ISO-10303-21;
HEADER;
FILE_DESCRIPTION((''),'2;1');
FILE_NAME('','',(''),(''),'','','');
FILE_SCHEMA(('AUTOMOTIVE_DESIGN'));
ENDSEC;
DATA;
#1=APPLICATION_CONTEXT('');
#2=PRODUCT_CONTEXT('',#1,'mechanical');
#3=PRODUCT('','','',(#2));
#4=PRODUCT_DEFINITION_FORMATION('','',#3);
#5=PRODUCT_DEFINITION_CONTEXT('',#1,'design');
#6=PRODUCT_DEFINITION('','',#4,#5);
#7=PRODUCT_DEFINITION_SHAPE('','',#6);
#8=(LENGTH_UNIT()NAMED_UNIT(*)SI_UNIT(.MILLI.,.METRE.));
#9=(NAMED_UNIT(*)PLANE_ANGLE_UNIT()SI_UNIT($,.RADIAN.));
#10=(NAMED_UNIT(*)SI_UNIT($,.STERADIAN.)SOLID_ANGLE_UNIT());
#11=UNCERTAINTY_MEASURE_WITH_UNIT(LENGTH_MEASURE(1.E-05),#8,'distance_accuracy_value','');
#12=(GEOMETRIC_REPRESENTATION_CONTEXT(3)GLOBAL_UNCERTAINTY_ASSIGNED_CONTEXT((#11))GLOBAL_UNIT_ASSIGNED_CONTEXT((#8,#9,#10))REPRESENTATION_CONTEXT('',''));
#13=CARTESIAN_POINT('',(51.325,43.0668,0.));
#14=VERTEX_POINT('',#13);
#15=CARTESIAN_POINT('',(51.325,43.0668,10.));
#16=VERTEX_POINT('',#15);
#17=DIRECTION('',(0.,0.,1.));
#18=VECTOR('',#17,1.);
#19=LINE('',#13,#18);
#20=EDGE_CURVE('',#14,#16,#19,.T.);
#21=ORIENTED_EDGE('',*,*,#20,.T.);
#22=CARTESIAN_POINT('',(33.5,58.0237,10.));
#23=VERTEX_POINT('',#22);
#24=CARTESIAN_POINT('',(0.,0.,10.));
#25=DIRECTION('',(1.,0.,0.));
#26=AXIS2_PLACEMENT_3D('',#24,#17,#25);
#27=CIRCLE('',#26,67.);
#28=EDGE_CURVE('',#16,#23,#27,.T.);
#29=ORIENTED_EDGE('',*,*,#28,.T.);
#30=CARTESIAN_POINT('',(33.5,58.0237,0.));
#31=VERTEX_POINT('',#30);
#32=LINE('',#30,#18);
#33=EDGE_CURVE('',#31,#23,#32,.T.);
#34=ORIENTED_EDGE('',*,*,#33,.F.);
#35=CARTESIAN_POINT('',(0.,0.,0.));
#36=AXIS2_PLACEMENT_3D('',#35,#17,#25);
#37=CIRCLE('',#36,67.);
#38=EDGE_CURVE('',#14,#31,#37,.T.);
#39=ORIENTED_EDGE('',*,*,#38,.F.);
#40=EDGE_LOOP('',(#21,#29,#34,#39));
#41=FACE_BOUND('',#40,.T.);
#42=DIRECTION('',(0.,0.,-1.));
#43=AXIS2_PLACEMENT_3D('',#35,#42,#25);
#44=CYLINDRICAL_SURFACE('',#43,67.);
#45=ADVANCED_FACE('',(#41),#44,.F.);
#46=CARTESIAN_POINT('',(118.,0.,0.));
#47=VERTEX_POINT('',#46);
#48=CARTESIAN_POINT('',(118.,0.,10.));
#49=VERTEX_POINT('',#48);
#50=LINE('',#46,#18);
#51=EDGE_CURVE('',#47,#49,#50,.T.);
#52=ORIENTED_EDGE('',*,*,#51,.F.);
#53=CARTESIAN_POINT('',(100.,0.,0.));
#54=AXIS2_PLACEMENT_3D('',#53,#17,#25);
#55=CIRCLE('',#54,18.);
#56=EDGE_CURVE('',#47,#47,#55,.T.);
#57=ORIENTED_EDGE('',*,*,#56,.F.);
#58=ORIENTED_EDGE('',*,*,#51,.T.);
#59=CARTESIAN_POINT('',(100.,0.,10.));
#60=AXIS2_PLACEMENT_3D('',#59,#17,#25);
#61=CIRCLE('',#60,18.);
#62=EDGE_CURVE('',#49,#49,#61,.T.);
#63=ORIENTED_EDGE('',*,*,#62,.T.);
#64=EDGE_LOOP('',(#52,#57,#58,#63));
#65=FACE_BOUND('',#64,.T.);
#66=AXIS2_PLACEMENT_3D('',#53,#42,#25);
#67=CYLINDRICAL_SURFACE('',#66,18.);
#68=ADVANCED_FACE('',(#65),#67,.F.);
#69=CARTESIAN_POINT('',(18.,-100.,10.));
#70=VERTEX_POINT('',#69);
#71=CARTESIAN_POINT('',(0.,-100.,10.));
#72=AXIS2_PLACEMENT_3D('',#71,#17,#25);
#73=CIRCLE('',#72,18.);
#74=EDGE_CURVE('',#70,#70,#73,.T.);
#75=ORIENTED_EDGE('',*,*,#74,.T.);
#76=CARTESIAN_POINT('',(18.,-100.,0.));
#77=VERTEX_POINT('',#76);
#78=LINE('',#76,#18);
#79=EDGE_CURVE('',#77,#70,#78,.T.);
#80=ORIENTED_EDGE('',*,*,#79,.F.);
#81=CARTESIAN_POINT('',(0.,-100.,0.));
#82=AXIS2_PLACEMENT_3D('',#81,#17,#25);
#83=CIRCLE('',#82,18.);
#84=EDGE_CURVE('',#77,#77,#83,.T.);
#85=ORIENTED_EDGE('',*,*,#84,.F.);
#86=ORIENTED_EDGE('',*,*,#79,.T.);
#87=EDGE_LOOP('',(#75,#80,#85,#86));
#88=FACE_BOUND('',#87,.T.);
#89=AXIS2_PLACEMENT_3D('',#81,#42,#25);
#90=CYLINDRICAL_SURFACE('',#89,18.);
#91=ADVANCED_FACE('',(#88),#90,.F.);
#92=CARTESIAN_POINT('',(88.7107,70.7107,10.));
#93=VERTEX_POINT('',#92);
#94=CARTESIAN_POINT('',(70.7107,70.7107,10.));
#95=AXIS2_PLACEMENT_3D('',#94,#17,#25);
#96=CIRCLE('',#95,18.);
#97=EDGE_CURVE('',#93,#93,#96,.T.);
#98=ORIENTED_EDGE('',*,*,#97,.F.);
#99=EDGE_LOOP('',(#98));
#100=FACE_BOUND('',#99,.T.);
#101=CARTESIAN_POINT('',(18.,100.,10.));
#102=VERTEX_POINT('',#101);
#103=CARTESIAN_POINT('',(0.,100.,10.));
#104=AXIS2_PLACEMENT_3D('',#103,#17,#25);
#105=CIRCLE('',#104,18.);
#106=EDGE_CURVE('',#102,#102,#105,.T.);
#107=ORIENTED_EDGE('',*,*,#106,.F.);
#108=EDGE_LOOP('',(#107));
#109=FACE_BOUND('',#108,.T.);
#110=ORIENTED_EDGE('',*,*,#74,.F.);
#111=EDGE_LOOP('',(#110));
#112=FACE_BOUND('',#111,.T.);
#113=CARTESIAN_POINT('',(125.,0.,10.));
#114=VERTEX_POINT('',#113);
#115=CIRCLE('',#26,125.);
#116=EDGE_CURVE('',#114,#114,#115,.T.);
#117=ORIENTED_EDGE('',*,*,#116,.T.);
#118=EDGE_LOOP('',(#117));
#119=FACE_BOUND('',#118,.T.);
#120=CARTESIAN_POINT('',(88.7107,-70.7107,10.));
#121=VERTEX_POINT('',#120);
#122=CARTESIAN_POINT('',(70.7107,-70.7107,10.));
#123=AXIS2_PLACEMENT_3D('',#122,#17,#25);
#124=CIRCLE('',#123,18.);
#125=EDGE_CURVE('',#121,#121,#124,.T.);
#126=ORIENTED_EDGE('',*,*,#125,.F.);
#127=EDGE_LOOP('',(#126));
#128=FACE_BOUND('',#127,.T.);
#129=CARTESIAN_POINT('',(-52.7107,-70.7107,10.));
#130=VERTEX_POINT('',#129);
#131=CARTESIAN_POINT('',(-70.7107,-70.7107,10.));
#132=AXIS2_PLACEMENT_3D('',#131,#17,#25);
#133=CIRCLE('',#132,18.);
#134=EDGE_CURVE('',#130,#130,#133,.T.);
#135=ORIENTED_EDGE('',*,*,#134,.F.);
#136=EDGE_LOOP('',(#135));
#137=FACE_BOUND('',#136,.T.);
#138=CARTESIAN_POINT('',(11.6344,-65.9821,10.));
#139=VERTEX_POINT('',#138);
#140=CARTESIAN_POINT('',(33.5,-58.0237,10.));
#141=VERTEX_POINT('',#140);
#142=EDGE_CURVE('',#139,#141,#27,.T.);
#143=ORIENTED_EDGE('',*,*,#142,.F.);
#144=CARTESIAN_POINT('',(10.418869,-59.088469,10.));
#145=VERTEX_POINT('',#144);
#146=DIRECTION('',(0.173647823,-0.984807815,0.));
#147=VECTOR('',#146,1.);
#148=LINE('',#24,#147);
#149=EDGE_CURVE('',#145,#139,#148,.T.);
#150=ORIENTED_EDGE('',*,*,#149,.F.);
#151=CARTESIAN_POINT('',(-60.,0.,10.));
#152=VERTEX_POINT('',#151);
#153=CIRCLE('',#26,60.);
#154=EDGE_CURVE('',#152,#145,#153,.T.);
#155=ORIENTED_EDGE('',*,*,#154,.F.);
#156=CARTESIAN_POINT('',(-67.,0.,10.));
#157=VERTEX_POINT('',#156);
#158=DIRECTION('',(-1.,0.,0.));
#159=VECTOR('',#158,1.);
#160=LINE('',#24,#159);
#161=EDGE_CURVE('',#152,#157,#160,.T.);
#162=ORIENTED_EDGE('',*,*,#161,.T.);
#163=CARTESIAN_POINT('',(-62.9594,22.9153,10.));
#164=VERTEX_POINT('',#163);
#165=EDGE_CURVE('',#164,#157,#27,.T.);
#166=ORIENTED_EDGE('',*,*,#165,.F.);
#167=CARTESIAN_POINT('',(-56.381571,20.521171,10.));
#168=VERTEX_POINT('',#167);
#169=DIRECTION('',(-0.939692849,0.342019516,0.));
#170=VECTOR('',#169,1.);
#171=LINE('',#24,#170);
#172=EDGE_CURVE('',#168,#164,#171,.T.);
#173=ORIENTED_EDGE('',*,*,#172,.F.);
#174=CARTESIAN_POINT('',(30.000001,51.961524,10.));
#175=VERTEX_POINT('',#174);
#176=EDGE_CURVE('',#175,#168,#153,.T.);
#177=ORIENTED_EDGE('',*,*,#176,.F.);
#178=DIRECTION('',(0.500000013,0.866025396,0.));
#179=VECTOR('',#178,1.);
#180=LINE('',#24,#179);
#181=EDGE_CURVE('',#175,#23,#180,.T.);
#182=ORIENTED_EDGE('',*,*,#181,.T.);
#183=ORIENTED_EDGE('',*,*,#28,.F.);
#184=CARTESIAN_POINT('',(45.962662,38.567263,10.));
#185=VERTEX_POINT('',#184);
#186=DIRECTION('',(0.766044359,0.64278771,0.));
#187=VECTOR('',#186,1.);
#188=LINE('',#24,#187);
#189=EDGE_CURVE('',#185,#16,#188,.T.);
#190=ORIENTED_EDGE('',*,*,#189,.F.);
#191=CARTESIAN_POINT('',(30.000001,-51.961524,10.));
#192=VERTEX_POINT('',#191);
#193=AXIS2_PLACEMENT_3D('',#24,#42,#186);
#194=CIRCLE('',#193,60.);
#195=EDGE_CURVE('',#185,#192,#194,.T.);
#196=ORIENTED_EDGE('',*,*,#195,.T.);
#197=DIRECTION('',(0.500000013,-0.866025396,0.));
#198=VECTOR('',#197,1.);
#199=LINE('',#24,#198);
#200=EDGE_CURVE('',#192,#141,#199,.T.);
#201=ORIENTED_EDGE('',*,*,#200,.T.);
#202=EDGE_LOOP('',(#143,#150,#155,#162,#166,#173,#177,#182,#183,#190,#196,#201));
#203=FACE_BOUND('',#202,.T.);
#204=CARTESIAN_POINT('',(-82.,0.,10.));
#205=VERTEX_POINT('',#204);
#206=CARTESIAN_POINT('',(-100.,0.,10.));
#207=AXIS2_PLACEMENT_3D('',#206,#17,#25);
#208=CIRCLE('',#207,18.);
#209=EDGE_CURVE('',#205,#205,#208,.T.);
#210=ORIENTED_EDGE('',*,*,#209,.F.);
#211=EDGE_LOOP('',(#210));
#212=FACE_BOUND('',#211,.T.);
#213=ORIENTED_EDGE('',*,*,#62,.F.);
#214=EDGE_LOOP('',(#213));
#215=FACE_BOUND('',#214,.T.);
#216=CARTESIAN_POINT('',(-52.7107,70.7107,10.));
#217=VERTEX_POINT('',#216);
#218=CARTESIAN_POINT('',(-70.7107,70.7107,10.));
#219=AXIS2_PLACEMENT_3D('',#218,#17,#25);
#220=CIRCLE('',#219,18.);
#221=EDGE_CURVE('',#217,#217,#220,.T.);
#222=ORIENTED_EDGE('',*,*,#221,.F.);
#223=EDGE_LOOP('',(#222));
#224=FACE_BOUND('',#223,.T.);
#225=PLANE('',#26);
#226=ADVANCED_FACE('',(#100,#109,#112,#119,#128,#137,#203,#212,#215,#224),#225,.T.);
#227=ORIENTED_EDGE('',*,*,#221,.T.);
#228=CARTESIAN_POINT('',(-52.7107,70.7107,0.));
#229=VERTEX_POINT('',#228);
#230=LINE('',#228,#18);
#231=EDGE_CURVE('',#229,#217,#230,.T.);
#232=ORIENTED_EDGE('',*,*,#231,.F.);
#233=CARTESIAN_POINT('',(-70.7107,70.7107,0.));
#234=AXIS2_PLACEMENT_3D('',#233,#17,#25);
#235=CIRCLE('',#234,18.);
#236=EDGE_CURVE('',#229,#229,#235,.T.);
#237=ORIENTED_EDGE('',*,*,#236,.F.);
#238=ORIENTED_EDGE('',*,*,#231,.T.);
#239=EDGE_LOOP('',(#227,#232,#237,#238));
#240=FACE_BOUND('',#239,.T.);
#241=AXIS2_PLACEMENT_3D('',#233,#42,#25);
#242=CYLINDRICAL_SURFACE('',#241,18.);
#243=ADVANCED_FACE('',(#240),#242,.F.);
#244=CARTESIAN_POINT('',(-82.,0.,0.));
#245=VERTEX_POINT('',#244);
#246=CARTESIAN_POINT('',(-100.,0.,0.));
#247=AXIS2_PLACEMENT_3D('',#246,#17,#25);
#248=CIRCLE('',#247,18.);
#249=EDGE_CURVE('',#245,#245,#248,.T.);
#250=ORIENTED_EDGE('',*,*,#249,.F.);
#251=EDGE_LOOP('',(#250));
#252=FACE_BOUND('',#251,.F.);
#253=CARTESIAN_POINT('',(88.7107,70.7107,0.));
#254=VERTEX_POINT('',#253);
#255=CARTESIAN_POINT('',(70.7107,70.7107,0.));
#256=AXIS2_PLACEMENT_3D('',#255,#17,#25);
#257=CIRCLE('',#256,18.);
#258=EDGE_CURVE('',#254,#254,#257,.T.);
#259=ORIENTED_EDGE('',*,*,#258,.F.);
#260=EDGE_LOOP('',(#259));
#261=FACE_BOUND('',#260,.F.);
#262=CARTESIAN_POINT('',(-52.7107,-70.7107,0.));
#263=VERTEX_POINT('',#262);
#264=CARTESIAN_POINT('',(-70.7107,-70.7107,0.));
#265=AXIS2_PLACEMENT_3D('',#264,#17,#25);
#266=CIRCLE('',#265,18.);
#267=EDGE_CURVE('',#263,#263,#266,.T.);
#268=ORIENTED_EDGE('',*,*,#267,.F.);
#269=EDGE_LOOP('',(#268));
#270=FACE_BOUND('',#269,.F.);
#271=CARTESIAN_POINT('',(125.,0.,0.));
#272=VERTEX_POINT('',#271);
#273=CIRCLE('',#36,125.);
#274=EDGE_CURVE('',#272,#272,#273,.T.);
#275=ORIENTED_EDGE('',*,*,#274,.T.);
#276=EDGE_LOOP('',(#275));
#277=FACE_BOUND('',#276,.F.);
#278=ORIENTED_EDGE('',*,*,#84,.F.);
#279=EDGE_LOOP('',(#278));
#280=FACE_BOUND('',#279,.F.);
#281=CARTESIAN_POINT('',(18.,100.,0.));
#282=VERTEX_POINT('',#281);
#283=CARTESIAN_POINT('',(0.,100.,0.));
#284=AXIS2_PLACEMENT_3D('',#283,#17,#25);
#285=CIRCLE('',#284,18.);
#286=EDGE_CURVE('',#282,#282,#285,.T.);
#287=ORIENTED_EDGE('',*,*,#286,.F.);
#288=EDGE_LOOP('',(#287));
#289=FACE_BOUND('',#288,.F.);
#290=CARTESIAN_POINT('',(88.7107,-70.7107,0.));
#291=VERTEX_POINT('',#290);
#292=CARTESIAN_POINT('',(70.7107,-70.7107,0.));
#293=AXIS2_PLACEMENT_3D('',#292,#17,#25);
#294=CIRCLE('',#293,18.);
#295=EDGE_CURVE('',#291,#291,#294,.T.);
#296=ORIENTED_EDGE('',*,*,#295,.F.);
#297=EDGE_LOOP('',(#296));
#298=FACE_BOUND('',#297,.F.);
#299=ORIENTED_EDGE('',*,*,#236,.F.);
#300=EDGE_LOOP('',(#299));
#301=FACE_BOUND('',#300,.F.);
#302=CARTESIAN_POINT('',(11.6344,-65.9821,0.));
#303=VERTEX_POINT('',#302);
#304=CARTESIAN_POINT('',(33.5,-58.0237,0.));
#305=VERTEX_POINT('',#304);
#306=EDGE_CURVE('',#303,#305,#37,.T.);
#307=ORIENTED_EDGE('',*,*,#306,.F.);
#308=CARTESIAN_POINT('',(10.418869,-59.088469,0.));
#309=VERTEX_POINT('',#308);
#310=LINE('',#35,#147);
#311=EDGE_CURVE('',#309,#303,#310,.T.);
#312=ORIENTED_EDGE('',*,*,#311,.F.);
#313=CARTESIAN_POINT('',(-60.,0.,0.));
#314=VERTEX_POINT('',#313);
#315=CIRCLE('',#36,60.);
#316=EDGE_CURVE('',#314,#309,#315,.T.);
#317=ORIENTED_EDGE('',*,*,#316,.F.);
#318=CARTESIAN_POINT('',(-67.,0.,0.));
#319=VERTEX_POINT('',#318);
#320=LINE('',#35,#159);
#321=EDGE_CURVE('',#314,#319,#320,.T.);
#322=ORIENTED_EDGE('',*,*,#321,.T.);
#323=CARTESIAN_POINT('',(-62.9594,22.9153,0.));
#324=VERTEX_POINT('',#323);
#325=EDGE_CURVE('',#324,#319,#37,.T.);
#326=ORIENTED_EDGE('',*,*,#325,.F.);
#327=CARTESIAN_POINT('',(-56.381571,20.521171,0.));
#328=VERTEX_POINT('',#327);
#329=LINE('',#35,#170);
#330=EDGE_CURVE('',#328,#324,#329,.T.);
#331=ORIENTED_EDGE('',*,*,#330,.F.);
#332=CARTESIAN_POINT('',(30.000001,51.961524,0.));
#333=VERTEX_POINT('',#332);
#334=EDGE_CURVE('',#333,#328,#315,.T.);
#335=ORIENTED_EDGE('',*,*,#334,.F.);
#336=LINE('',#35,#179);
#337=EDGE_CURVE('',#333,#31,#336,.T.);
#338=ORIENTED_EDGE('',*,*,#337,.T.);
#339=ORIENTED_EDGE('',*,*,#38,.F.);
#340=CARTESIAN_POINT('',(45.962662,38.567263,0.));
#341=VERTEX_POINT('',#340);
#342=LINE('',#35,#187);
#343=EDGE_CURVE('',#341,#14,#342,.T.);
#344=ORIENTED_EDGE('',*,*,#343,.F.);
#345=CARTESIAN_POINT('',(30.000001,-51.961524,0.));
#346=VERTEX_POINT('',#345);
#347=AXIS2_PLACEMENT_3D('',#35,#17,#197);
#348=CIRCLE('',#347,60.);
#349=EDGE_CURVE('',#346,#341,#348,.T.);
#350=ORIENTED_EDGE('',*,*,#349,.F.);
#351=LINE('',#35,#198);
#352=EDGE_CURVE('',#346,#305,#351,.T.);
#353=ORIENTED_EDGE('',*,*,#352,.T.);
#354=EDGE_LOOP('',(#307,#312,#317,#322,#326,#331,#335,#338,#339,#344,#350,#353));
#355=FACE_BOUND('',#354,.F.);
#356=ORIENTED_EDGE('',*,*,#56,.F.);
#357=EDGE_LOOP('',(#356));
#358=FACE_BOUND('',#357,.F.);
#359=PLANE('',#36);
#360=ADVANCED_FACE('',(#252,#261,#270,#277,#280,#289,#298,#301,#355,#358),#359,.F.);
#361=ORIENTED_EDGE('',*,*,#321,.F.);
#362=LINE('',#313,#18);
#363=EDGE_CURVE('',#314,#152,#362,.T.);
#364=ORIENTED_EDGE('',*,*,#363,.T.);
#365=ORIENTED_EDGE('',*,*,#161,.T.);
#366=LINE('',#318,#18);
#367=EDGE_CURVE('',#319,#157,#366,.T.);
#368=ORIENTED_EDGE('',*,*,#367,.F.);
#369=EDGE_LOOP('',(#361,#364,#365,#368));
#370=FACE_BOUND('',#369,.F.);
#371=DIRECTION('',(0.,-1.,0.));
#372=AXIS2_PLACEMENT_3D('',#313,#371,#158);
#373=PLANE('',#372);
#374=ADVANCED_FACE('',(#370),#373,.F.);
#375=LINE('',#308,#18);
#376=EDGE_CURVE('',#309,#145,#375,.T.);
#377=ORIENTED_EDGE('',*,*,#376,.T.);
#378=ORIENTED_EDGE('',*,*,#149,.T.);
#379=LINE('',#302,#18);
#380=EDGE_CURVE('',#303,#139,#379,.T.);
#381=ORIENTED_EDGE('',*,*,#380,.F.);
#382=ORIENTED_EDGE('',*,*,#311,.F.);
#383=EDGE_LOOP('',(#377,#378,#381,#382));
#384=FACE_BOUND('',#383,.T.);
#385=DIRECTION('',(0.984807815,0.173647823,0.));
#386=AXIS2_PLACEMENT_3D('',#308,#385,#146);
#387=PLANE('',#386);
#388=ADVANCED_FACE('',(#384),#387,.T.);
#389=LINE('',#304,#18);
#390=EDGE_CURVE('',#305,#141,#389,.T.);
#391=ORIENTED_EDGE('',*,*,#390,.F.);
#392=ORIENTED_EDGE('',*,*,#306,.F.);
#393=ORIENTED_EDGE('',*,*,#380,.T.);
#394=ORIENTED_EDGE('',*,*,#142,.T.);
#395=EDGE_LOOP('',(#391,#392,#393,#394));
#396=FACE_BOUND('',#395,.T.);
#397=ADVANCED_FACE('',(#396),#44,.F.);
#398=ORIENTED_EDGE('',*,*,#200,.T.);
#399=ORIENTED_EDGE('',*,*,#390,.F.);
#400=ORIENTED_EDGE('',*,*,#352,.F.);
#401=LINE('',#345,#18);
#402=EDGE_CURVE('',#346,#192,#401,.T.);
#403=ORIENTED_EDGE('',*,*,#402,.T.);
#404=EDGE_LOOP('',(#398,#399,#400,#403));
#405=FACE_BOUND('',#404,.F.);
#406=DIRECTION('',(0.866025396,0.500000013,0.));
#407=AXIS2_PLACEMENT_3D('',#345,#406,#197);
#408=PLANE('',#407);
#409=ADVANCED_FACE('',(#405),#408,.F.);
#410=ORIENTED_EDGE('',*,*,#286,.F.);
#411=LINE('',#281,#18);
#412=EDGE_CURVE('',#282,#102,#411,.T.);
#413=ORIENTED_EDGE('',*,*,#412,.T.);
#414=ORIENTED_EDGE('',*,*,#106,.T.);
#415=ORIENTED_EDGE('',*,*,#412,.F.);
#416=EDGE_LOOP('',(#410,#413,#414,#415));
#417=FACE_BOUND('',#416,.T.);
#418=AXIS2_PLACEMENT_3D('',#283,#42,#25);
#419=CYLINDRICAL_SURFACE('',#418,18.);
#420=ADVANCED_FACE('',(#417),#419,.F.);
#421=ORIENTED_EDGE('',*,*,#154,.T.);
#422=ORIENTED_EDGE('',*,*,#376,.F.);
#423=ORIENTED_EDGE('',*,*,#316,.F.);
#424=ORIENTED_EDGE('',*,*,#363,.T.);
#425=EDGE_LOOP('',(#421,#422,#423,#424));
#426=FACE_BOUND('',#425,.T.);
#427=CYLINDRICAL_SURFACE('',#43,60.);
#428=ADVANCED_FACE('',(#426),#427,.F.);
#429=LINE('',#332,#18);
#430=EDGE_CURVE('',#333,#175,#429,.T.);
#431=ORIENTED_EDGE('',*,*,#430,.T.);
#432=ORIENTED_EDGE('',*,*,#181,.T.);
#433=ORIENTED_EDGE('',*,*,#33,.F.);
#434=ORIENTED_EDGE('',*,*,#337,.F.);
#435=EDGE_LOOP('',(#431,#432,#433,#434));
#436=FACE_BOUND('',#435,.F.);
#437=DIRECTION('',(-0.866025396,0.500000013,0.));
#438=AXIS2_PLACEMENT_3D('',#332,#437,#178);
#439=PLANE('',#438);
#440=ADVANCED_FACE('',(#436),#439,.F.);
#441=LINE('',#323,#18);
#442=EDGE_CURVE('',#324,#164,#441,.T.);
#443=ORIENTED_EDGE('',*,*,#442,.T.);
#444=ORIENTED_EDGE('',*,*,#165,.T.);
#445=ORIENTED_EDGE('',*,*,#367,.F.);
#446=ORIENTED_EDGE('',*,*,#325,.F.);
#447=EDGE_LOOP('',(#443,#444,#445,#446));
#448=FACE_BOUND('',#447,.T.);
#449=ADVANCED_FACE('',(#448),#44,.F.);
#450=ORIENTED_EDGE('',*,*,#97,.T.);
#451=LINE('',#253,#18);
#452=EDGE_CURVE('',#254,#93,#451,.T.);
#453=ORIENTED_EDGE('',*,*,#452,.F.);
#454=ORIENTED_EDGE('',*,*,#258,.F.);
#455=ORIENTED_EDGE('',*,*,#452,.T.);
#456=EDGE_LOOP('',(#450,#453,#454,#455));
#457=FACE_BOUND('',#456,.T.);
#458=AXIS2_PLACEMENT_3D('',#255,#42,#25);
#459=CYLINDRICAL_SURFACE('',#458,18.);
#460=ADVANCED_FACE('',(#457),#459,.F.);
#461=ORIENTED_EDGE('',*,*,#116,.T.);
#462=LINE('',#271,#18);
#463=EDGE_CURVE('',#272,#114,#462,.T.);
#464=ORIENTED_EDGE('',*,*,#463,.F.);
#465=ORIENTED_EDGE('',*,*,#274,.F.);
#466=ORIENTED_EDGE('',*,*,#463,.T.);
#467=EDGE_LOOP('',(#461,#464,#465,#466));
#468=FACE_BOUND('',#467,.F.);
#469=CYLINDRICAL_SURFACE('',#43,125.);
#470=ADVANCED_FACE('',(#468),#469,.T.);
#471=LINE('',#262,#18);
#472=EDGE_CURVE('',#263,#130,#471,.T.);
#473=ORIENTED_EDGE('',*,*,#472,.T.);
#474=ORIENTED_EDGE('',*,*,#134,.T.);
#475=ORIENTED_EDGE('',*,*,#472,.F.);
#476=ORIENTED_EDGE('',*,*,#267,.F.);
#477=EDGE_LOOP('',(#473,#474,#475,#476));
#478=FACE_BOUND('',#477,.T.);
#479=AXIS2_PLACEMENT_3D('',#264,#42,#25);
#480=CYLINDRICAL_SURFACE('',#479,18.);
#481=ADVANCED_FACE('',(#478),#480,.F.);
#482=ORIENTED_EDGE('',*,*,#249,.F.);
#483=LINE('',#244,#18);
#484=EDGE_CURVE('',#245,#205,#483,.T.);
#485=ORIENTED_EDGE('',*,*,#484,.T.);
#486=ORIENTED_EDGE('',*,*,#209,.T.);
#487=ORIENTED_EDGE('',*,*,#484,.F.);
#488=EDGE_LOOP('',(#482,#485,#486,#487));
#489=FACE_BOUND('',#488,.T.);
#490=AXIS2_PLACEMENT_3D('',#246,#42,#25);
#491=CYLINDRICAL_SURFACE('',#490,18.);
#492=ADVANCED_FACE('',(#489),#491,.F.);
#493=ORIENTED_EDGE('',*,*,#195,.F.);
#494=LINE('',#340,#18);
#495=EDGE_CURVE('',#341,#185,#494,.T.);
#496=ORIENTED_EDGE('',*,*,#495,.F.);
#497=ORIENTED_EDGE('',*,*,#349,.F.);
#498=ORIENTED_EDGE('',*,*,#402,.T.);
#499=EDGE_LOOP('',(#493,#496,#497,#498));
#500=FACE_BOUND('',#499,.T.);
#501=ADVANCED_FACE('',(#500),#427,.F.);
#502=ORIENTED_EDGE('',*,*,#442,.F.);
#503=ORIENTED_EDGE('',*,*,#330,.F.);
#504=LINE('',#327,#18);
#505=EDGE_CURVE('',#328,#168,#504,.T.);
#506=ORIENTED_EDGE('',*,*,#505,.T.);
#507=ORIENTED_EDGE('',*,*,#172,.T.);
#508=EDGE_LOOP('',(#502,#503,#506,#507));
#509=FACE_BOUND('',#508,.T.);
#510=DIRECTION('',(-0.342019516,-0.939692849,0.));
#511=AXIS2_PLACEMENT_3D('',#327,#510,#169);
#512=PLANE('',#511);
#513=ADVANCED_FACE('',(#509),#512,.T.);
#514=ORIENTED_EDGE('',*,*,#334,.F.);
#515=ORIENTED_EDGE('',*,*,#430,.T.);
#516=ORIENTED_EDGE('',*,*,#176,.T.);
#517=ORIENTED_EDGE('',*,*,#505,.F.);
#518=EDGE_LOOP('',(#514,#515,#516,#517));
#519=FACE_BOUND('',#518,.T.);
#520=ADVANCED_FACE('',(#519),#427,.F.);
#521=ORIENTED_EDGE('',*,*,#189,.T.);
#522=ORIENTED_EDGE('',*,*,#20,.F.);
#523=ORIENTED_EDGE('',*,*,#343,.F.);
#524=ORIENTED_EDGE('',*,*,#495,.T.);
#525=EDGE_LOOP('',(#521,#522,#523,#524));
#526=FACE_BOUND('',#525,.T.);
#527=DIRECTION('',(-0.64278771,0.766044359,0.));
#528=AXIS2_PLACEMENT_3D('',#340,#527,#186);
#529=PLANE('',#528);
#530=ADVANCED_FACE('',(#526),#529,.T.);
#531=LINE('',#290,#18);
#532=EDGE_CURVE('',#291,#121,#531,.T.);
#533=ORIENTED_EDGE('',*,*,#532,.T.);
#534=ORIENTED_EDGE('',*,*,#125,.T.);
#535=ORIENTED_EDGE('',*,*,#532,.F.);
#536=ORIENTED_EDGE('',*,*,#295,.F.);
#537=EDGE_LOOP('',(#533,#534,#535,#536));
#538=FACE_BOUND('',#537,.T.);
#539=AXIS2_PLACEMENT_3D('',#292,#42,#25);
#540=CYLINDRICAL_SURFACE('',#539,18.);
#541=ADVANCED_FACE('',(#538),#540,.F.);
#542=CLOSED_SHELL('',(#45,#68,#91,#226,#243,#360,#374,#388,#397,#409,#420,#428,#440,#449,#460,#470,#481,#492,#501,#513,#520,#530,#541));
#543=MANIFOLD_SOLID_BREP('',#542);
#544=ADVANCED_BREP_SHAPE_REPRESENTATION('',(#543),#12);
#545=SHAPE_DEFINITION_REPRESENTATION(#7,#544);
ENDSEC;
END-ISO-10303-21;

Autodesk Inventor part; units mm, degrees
ref_plane "YZ Plane" through (0, 0, 0) normal (1, 0, 0) x (0, 1, 0)
ref_plane "XZ Plane" through (0, 0, 0) normal (0, 1, 0) x (-1, 0, 0)
ref_plane "XY Plane" through (0, 0, 0) normal (0, 0, 1) x (1, 0, 0)
sketch "Sketch1" plane through (0, 0, 0) normal (0, 0, 1) x (1, 0, 0)
  circle A0 centre (0, 0) radius 100 construction
  circle A1 centre (-100, 0) radius 18
  circle A2 centre (-70.7107, -70.7107) radius 18
  circle A3 centre (0, -100) radius 18
  circle A4 centre (70.7107, -70.7107) radius 18
  circle A5 centre (100, 0) radius 18
  circle A6 centre (70.7107, 70.7107) radius 18
  circle A7 centre (0, 100) radius 18
  circle A8 centre (-70.7107, 70.7107) radius 18
  circle A9 centre (0, 0) radius 125
  circle A10 centre (0, 0) radius 75
  circle A11 centre (0, 0) radius 67.5 construction
  circle A12 centre (0, 0) radius 67
  circle A13 centre (0, 0) radius 60
  line L0 (0, 0) -> (-67, 0)
  line L1 (0, 0) -> (-2.0269, 0)
  line L2 (0, 0) -> (-62.9594, 22.9153)
  line L3 (0, 0) -> (67, 0) construction
  line L4 (0, 0) -> (33.5, -58.0237)
  line L5 (0, 0) -> (11.6344, -65.9821)
  line L6 (0, 0) -> (33.5, 58.0237)
  line L7 (0, 0) -> (51.325, 43.0668)
  point P0 (1.0135, -1.7554)
  point P1 (1.0135, 1.7554)
  point P2 (10.4189, -59.0885)
  point P3 (-60, 0)
  point P4 (-56.3816, 20.5212)
  point P5 (30, 51.9615)
  point P6 (45.9627, 38.5673)
  point P7 (30, -51.9615)
  dimension "d0" = 200
  dimension "d1" = 36
  dimension "d4" = 360
  dimension "d6" = 250
  dimension "d7" = 150
  dimension "d10" = 135
  dimension "d11" = 134
  dimension "d12" = 120
  dimension "d13" = 160
  dimension "d16" = 360
extrude "Extrusion1" add sketch "Sketch1" along normal blind 10 contours A9 | A10 | A12 L4 A13 L7 | L6 A13 L2 A12 | A12 L0 A13 L5
equation "\"d0\" = OuterRadius"
equation "\"OuterRadius\" = 200"
